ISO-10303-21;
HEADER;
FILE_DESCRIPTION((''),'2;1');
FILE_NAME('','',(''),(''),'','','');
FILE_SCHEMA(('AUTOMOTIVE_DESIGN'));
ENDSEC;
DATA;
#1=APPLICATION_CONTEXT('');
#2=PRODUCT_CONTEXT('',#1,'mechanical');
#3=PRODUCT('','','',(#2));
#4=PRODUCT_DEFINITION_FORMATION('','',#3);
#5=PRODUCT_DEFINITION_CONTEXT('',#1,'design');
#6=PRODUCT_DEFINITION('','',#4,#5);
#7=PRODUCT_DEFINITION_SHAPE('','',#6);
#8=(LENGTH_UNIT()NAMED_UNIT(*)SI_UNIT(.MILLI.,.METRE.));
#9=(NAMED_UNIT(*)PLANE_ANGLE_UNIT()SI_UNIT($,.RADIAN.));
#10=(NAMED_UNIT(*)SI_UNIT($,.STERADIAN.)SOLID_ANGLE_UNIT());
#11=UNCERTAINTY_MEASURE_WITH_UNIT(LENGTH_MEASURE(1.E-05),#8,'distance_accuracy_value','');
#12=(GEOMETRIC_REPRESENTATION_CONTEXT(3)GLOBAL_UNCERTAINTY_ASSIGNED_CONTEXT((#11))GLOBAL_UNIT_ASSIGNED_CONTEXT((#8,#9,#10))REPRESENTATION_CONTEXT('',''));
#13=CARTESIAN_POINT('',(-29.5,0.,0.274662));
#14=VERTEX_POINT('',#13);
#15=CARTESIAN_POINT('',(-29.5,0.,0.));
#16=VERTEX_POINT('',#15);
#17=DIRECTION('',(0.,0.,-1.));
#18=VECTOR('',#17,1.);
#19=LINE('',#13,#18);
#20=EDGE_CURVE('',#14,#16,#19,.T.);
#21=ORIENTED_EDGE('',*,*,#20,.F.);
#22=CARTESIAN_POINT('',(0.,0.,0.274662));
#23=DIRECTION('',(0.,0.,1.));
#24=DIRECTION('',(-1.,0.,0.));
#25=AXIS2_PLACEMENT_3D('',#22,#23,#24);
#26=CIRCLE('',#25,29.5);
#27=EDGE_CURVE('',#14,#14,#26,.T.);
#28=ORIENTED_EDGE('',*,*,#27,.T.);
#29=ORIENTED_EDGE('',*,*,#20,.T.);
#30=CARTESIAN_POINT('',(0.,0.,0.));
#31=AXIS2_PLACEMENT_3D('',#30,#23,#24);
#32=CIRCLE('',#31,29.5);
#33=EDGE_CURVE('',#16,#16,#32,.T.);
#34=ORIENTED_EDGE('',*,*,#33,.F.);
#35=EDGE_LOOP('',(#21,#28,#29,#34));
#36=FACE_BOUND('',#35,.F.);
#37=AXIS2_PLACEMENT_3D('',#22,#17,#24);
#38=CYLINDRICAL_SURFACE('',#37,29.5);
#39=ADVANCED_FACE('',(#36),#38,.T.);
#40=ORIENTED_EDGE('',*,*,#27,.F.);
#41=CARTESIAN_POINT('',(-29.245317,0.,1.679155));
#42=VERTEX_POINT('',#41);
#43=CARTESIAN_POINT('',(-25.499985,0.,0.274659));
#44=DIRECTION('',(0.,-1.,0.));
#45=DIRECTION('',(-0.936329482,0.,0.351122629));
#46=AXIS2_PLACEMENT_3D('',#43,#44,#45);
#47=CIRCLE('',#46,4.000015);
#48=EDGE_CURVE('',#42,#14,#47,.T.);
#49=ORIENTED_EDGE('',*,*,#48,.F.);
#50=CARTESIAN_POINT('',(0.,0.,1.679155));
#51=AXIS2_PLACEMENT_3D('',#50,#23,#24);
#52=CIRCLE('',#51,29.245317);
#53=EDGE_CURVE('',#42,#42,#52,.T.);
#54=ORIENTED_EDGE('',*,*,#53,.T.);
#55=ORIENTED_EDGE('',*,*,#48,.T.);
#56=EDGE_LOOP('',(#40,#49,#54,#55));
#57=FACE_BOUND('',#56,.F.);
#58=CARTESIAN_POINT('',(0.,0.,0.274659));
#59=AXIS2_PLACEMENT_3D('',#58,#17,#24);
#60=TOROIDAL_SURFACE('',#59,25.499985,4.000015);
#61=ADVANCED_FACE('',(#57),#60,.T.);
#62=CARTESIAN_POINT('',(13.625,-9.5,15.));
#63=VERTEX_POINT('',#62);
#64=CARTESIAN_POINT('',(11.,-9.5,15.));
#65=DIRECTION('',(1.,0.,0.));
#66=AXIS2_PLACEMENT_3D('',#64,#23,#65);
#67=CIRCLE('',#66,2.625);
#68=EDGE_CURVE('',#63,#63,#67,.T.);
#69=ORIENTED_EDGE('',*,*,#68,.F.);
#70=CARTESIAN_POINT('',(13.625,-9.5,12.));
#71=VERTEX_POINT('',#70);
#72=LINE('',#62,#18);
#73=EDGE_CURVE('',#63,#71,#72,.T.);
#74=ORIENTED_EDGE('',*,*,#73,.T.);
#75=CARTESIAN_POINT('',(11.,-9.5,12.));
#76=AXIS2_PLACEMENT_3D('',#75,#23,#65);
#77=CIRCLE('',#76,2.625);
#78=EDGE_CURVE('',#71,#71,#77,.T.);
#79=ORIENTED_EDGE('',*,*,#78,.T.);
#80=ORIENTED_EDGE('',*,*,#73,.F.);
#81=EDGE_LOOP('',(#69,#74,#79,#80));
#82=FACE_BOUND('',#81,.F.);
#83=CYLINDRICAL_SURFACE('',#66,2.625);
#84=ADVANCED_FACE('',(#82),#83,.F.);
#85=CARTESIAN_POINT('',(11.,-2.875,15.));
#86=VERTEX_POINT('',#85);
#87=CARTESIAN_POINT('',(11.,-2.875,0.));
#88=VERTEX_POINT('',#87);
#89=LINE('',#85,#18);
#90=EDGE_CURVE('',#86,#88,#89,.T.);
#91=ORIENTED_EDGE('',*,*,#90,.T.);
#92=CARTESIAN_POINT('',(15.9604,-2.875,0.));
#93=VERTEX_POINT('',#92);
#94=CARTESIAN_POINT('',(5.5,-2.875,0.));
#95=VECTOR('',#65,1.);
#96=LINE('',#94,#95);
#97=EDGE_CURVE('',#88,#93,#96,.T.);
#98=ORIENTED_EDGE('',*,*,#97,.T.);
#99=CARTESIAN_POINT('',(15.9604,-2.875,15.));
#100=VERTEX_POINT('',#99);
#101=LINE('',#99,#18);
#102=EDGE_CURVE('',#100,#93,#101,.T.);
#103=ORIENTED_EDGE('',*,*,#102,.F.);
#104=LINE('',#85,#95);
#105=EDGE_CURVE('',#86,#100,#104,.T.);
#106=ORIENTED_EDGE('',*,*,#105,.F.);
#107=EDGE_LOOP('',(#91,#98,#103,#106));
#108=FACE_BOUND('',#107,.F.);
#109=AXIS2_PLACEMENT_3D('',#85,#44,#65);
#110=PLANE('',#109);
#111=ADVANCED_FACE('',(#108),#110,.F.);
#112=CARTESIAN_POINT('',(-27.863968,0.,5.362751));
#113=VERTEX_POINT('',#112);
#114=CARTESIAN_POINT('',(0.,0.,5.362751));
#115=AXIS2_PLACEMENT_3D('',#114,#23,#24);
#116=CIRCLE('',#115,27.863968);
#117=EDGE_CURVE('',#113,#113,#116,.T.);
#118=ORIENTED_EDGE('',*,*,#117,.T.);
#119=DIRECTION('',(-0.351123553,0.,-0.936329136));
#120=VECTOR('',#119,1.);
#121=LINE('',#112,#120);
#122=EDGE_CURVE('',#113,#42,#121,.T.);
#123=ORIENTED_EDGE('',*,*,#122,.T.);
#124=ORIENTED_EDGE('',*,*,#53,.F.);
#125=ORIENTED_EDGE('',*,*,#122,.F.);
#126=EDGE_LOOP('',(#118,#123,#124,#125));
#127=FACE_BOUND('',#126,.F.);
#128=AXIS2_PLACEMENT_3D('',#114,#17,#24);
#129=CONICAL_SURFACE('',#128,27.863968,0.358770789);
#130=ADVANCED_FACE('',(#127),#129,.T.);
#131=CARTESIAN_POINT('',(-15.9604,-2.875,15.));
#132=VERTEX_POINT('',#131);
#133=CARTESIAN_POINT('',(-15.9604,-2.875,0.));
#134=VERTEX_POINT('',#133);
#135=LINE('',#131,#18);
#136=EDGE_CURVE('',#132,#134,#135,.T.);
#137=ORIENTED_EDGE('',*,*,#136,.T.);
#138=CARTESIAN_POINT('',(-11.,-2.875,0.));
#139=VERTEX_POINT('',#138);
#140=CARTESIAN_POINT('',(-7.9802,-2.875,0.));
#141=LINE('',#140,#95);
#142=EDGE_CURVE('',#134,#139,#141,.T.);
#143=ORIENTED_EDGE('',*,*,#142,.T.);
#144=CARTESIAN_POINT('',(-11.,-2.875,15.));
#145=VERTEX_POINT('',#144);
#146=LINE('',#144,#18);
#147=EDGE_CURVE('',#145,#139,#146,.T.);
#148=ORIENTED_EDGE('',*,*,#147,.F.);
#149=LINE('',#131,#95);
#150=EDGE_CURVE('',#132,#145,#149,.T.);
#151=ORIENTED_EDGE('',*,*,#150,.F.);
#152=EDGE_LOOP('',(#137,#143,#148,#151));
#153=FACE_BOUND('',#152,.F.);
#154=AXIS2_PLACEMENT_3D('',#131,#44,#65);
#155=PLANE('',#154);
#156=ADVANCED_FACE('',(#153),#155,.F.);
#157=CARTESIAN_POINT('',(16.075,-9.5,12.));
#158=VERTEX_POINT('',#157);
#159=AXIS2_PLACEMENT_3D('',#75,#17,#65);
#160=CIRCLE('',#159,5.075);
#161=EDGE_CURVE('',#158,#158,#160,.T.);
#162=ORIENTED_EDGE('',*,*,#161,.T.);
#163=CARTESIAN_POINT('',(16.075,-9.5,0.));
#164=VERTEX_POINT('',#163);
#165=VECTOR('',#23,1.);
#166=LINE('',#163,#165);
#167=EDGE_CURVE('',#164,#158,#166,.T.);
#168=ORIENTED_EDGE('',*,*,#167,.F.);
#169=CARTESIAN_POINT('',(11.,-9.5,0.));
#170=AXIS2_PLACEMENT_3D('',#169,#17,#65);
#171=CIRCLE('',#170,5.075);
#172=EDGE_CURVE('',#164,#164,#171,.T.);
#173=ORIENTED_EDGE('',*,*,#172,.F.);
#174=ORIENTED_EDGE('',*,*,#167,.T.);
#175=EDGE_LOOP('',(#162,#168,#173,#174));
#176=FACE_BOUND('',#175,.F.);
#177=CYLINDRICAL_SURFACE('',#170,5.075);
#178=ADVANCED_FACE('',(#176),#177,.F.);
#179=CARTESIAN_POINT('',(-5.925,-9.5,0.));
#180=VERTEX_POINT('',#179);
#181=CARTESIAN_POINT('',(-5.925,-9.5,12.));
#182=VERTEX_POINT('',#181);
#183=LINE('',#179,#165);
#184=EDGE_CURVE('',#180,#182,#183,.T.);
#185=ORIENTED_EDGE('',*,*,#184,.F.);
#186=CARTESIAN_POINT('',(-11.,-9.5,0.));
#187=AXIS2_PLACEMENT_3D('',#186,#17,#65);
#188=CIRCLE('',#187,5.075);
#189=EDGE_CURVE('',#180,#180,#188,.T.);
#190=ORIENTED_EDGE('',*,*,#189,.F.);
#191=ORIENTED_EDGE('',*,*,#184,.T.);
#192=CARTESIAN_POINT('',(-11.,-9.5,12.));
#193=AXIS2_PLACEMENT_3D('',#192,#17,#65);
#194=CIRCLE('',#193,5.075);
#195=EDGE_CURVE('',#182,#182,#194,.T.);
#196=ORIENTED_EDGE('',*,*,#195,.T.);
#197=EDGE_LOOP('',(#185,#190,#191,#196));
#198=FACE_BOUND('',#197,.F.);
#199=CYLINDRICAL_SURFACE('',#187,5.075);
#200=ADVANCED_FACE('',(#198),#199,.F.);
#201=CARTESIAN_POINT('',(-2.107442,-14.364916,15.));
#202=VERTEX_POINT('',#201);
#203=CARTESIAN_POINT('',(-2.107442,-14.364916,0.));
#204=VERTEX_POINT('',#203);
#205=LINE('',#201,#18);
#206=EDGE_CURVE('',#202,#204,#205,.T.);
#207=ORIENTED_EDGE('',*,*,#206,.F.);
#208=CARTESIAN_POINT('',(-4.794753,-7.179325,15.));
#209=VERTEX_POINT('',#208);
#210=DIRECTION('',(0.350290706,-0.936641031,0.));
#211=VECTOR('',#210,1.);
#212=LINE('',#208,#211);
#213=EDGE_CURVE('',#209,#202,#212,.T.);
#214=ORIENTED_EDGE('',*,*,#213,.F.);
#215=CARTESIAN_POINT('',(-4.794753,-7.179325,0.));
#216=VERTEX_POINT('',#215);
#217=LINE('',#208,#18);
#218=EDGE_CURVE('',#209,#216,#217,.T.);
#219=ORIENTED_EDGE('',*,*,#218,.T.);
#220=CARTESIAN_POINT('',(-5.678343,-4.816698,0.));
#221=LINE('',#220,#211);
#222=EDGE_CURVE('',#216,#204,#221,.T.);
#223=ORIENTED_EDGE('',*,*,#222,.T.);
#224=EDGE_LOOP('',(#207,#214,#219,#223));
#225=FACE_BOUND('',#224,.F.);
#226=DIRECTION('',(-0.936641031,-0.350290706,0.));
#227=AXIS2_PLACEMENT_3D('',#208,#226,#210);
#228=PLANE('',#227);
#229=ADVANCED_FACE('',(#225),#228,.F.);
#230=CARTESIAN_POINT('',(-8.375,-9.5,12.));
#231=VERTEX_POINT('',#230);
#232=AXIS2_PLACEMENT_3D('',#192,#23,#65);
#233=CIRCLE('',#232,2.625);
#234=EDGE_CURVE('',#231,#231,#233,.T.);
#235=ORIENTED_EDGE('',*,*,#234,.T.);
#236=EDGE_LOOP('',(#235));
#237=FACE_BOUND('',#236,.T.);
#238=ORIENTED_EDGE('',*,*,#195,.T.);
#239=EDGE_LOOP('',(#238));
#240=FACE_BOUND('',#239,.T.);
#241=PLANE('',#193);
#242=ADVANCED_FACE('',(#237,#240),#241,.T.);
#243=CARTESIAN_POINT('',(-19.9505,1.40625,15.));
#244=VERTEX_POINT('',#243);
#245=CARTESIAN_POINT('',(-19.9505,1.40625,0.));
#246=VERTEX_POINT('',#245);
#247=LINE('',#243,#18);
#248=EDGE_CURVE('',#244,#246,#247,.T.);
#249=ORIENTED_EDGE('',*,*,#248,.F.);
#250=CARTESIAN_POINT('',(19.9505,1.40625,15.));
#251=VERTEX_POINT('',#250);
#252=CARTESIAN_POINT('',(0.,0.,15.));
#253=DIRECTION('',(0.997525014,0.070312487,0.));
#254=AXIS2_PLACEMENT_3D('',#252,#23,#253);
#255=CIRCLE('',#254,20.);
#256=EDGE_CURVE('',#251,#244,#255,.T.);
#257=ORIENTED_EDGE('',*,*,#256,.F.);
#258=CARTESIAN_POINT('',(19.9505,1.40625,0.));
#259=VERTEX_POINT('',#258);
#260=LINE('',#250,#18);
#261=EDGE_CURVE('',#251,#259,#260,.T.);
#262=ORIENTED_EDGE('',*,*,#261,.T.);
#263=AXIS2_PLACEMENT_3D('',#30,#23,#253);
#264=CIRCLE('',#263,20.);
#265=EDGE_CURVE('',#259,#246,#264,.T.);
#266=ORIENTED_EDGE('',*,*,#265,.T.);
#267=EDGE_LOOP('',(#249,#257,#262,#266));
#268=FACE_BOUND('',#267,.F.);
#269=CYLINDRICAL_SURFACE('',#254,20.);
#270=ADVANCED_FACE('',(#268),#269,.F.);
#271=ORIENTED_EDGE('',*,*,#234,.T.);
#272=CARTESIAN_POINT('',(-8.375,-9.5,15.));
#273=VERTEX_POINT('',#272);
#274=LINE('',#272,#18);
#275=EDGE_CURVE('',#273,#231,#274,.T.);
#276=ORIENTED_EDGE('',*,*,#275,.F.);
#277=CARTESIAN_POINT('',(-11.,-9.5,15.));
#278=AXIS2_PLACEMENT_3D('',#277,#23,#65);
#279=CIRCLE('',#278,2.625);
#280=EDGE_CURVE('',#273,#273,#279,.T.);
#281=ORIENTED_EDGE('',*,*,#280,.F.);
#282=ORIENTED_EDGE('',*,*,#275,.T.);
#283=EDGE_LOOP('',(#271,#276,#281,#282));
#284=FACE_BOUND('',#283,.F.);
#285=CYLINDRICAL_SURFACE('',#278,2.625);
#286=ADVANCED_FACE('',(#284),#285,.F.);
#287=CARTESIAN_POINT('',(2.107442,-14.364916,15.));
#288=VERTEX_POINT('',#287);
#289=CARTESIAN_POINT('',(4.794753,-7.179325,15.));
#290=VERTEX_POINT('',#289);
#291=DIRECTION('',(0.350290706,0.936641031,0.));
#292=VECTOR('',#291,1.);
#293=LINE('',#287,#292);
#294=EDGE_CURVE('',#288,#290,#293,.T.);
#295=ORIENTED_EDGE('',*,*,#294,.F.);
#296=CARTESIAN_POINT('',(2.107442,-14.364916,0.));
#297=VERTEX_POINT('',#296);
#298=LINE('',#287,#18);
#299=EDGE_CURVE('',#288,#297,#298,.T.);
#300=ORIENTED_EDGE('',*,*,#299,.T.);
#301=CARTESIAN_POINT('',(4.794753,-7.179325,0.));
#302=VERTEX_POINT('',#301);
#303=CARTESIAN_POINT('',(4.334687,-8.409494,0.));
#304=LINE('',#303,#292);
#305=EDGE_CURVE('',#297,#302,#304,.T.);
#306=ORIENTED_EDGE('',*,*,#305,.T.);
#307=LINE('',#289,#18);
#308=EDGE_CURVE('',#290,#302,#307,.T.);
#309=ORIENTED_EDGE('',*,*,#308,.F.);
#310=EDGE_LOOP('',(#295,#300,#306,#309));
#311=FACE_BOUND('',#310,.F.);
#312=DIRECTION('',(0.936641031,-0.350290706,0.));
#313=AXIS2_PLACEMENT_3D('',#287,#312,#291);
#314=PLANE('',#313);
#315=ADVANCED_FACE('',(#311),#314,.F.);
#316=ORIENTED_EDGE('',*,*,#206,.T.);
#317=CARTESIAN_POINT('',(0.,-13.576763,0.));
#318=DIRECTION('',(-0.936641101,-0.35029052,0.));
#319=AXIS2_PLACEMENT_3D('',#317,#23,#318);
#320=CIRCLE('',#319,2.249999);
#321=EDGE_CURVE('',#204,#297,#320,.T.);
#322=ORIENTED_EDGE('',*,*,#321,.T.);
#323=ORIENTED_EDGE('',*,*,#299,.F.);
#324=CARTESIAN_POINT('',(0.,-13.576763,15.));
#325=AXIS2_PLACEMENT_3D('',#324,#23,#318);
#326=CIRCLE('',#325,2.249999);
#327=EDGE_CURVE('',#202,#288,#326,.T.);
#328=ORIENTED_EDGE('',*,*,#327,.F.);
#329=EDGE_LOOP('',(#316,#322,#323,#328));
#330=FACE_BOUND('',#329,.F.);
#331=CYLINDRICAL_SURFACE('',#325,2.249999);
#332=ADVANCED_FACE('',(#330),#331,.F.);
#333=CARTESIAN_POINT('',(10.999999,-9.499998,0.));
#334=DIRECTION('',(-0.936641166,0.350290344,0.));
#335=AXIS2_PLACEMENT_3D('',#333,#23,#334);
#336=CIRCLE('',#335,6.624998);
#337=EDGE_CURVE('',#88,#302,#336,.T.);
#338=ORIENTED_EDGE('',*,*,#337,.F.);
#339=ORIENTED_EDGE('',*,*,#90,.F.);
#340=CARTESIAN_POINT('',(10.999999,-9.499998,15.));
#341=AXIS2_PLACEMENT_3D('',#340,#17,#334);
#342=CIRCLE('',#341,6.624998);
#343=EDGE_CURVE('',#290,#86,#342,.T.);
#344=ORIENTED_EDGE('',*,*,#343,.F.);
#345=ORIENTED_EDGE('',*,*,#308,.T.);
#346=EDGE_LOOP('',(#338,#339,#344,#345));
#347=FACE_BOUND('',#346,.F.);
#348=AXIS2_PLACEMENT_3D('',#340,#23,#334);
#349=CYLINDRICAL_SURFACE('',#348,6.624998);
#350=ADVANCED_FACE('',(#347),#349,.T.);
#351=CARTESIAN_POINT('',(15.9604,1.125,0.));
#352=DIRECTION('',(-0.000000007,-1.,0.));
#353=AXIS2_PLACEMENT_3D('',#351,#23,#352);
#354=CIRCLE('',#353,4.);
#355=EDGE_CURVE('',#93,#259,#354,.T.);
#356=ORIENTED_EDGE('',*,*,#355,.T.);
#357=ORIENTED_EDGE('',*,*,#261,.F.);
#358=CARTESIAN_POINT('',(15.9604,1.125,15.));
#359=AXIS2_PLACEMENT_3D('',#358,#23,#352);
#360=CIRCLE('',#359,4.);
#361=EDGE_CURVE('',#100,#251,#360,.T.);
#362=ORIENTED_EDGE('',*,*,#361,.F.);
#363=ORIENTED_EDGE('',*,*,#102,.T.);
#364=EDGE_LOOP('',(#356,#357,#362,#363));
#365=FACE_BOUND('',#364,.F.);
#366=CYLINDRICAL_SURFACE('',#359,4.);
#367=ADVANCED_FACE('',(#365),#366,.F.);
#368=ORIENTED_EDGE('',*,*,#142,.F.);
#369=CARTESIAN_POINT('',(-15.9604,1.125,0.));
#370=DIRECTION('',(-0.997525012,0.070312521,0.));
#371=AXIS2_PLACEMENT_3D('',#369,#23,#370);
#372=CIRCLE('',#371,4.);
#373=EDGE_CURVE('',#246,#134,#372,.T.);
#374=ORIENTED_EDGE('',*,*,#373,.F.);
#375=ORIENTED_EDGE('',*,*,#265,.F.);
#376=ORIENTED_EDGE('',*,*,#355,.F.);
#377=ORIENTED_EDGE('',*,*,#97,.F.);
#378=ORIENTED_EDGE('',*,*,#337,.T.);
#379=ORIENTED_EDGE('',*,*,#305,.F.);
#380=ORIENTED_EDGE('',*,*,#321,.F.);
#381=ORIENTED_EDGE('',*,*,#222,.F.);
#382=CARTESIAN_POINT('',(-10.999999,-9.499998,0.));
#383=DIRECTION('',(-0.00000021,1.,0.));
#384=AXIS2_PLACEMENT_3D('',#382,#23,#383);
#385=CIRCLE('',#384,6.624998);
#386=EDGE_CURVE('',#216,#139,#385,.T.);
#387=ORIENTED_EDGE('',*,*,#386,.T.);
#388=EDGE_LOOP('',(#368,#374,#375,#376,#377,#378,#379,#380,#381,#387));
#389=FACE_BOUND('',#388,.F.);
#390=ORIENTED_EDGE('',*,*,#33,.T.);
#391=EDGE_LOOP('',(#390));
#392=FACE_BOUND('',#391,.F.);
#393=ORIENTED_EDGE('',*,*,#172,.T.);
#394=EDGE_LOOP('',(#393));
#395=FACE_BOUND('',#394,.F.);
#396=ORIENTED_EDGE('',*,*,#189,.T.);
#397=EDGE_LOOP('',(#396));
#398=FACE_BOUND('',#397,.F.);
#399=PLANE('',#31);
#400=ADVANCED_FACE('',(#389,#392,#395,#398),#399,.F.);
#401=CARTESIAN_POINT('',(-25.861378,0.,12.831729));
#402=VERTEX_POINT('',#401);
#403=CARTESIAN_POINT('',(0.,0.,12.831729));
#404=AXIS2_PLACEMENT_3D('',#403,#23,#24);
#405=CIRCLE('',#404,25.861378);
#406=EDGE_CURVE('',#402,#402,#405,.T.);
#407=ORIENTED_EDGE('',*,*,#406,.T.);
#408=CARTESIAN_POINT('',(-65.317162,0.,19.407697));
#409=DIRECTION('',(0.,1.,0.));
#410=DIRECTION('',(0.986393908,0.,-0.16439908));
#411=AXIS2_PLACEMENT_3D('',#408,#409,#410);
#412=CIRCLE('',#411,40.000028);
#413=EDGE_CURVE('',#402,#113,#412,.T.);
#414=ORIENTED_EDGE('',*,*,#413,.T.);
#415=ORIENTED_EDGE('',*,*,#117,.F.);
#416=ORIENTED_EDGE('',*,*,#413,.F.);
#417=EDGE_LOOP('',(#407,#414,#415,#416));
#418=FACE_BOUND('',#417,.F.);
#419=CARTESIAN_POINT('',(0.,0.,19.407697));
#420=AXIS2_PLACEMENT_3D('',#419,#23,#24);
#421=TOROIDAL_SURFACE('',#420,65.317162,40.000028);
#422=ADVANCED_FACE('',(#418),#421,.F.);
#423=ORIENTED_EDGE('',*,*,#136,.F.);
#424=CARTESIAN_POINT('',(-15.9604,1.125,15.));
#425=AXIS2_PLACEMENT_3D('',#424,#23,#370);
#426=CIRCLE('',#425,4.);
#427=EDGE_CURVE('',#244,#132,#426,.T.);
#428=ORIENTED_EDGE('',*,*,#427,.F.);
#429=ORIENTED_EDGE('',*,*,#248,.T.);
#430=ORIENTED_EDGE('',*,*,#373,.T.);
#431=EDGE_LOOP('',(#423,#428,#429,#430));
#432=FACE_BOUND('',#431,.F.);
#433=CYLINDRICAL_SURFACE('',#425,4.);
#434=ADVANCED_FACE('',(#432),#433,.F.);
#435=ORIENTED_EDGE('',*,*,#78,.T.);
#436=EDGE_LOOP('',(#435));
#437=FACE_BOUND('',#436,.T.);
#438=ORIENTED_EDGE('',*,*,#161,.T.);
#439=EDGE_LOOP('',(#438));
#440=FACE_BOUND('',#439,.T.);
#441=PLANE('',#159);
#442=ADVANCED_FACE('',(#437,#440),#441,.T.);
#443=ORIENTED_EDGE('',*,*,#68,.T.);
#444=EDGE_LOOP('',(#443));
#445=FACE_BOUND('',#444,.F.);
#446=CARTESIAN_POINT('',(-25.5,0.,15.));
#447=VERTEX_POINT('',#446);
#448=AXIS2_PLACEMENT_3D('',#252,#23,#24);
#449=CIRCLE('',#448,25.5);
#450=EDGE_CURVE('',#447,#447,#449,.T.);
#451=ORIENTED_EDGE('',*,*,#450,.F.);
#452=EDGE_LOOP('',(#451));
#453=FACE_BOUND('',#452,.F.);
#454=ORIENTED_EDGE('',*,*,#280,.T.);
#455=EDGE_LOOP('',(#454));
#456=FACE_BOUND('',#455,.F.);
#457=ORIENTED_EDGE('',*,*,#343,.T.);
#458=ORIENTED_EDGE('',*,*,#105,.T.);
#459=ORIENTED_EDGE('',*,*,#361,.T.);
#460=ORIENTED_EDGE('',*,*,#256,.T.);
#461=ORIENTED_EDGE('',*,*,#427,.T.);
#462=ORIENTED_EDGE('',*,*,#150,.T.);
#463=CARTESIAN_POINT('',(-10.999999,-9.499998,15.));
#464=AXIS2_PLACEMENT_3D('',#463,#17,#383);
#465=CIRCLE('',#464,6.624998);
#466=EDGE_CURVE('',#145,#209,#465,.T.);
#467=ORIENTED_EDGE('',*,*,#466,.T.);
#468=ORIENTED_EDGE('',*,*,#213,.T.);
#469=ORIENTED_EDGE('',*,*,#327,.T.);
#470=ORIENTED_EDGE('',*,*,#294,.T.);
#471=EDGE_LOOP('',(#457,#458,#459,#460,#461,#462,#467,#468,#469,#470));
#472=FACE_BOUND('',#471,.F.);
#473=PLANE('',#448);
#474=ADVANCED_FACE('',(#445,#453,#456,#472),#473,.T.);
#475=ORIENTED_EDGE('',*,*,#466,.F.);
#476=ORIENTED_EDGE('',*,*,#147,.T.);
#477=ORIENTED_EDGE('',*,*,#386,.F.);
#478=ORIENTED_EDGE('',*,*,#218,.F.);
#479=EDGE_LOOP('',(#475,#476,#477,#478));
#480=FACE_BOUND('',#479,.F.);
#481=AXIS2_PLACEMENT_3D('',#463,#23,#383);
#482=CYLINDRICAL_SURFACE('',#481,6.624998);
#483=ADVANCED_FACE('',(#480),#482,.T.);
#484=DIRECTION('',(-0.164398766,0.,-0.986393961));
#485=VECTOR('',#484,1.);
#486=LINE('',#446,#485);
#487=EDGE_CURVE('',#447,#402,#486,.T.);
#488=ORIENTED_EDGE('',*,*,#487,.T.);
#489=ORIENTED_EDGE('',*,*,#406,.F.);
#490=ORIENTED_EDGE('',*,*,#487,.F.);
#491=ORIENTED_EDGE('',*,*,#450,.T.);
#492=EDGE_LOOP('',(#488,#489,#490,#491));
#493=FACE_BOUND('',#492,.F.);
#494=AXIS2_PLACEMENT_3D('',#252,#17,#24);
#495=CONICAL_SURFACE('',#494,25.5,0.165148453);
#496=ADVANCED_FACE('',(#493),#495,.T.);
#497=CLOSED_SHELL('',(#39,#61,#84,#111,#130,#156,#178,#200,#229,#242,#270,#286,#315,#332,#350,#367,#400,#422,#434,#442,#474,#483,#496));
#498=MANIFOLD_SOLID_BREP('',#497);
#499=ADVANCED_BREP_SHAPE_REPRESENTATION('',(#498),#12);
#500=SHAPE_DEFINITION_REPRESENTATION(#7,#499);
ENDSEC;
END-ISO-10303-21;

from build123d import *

# Parameters (mm, degrees)
F2_R     = 2.625
F3_DEPTH = 15.001
F4_R     = 5.075
F5_DEPTH = 12


with BuildPart() as f1:
    # F0 (on Front) → F1 (revolve)
    with BuildSketch(Plane.XZ):
        with BuildLine():
            Line((-29.5, 0.274662), (-29.5, 0))
            Line((-29.5, 0), (0, 0))
            Line((0, 0), (0, 15))
            Line((0, 15), (-25.5, 15))
            Line((-25.5, 15), (-25.861378, 12.831729))
            ThreePointArc((-25.861378, 12.831729), (-26.681762, 9.048734), (-27.863968, 5.362751))
            Line((-27.863968, 5.362751), (-29.245317, 1.679155))
            ThreePointArc((-29.245317, 1.679155), (-29.435814, 0.988361), (-29.5, 0.274662))
        make_face()
    revolve(axis=Axis((0, 0, 21.150352), (0, 0, 1)))

    # F2 (on face) → F3 (cut, through all)
    with BuildSketch(Plane.XY.offset(15)):
        with BuildLine():
            ThreePointArc((15.9604, -2.875), (18.886575, -1.602178), (19.9505, 1.40625))
            ThreePointArc((19.9505, 1.40625), (0, 20), (-19.9505, 1.40625))
            ThreePointArc((-19.9505, 1.40625), (-18.886575, -1.602178), (-15.9604, -2.875))
            Line((-15.9604, -2.875), (-11, -2.875))
            ThreePointArc((-11, -2.875), (-7.224013, -4.056421), (-4.794753, -7.179325))
            Line((-4.794753, -7.179325), (-2.107442, -14.364916))
            ThreePointArc((-2.107442, -14.364916), (0, -15.826762), (2.107442, -14.364916))
            Line((2.107442, -14.364916), (4.794753, -7.179325))
            ThreePointArc((4.794753, -7.179325), (7.224013, -4.056421), (11, -2.875))
            Line((11, -2.875), (15.9604, -2.875))
        make_face()
        with Locations((-11, -9.5)):
            Circle(F2_R)
        with Locations((11, -9.5)):
            Circle(F2_R)
    extrude(amount=-F3_DEPTH, mode=Mode.SUBTRACT)

    # F4 (on face) → F5 (cut)
    with BuildSketch(Plane(origin=(0, 0, 0), x_dir=(1, 0, 0), z_dir=(0, 0, -1))):
        with Locations((11, 9.5)):
            Circle(F4_R)
        with Locations((-11, 9.5)):
            Circle(F4_R)
    extrude(amount=-F5_DEPTH, mode=Mode.SUBTRACT)


solid = f1.part
